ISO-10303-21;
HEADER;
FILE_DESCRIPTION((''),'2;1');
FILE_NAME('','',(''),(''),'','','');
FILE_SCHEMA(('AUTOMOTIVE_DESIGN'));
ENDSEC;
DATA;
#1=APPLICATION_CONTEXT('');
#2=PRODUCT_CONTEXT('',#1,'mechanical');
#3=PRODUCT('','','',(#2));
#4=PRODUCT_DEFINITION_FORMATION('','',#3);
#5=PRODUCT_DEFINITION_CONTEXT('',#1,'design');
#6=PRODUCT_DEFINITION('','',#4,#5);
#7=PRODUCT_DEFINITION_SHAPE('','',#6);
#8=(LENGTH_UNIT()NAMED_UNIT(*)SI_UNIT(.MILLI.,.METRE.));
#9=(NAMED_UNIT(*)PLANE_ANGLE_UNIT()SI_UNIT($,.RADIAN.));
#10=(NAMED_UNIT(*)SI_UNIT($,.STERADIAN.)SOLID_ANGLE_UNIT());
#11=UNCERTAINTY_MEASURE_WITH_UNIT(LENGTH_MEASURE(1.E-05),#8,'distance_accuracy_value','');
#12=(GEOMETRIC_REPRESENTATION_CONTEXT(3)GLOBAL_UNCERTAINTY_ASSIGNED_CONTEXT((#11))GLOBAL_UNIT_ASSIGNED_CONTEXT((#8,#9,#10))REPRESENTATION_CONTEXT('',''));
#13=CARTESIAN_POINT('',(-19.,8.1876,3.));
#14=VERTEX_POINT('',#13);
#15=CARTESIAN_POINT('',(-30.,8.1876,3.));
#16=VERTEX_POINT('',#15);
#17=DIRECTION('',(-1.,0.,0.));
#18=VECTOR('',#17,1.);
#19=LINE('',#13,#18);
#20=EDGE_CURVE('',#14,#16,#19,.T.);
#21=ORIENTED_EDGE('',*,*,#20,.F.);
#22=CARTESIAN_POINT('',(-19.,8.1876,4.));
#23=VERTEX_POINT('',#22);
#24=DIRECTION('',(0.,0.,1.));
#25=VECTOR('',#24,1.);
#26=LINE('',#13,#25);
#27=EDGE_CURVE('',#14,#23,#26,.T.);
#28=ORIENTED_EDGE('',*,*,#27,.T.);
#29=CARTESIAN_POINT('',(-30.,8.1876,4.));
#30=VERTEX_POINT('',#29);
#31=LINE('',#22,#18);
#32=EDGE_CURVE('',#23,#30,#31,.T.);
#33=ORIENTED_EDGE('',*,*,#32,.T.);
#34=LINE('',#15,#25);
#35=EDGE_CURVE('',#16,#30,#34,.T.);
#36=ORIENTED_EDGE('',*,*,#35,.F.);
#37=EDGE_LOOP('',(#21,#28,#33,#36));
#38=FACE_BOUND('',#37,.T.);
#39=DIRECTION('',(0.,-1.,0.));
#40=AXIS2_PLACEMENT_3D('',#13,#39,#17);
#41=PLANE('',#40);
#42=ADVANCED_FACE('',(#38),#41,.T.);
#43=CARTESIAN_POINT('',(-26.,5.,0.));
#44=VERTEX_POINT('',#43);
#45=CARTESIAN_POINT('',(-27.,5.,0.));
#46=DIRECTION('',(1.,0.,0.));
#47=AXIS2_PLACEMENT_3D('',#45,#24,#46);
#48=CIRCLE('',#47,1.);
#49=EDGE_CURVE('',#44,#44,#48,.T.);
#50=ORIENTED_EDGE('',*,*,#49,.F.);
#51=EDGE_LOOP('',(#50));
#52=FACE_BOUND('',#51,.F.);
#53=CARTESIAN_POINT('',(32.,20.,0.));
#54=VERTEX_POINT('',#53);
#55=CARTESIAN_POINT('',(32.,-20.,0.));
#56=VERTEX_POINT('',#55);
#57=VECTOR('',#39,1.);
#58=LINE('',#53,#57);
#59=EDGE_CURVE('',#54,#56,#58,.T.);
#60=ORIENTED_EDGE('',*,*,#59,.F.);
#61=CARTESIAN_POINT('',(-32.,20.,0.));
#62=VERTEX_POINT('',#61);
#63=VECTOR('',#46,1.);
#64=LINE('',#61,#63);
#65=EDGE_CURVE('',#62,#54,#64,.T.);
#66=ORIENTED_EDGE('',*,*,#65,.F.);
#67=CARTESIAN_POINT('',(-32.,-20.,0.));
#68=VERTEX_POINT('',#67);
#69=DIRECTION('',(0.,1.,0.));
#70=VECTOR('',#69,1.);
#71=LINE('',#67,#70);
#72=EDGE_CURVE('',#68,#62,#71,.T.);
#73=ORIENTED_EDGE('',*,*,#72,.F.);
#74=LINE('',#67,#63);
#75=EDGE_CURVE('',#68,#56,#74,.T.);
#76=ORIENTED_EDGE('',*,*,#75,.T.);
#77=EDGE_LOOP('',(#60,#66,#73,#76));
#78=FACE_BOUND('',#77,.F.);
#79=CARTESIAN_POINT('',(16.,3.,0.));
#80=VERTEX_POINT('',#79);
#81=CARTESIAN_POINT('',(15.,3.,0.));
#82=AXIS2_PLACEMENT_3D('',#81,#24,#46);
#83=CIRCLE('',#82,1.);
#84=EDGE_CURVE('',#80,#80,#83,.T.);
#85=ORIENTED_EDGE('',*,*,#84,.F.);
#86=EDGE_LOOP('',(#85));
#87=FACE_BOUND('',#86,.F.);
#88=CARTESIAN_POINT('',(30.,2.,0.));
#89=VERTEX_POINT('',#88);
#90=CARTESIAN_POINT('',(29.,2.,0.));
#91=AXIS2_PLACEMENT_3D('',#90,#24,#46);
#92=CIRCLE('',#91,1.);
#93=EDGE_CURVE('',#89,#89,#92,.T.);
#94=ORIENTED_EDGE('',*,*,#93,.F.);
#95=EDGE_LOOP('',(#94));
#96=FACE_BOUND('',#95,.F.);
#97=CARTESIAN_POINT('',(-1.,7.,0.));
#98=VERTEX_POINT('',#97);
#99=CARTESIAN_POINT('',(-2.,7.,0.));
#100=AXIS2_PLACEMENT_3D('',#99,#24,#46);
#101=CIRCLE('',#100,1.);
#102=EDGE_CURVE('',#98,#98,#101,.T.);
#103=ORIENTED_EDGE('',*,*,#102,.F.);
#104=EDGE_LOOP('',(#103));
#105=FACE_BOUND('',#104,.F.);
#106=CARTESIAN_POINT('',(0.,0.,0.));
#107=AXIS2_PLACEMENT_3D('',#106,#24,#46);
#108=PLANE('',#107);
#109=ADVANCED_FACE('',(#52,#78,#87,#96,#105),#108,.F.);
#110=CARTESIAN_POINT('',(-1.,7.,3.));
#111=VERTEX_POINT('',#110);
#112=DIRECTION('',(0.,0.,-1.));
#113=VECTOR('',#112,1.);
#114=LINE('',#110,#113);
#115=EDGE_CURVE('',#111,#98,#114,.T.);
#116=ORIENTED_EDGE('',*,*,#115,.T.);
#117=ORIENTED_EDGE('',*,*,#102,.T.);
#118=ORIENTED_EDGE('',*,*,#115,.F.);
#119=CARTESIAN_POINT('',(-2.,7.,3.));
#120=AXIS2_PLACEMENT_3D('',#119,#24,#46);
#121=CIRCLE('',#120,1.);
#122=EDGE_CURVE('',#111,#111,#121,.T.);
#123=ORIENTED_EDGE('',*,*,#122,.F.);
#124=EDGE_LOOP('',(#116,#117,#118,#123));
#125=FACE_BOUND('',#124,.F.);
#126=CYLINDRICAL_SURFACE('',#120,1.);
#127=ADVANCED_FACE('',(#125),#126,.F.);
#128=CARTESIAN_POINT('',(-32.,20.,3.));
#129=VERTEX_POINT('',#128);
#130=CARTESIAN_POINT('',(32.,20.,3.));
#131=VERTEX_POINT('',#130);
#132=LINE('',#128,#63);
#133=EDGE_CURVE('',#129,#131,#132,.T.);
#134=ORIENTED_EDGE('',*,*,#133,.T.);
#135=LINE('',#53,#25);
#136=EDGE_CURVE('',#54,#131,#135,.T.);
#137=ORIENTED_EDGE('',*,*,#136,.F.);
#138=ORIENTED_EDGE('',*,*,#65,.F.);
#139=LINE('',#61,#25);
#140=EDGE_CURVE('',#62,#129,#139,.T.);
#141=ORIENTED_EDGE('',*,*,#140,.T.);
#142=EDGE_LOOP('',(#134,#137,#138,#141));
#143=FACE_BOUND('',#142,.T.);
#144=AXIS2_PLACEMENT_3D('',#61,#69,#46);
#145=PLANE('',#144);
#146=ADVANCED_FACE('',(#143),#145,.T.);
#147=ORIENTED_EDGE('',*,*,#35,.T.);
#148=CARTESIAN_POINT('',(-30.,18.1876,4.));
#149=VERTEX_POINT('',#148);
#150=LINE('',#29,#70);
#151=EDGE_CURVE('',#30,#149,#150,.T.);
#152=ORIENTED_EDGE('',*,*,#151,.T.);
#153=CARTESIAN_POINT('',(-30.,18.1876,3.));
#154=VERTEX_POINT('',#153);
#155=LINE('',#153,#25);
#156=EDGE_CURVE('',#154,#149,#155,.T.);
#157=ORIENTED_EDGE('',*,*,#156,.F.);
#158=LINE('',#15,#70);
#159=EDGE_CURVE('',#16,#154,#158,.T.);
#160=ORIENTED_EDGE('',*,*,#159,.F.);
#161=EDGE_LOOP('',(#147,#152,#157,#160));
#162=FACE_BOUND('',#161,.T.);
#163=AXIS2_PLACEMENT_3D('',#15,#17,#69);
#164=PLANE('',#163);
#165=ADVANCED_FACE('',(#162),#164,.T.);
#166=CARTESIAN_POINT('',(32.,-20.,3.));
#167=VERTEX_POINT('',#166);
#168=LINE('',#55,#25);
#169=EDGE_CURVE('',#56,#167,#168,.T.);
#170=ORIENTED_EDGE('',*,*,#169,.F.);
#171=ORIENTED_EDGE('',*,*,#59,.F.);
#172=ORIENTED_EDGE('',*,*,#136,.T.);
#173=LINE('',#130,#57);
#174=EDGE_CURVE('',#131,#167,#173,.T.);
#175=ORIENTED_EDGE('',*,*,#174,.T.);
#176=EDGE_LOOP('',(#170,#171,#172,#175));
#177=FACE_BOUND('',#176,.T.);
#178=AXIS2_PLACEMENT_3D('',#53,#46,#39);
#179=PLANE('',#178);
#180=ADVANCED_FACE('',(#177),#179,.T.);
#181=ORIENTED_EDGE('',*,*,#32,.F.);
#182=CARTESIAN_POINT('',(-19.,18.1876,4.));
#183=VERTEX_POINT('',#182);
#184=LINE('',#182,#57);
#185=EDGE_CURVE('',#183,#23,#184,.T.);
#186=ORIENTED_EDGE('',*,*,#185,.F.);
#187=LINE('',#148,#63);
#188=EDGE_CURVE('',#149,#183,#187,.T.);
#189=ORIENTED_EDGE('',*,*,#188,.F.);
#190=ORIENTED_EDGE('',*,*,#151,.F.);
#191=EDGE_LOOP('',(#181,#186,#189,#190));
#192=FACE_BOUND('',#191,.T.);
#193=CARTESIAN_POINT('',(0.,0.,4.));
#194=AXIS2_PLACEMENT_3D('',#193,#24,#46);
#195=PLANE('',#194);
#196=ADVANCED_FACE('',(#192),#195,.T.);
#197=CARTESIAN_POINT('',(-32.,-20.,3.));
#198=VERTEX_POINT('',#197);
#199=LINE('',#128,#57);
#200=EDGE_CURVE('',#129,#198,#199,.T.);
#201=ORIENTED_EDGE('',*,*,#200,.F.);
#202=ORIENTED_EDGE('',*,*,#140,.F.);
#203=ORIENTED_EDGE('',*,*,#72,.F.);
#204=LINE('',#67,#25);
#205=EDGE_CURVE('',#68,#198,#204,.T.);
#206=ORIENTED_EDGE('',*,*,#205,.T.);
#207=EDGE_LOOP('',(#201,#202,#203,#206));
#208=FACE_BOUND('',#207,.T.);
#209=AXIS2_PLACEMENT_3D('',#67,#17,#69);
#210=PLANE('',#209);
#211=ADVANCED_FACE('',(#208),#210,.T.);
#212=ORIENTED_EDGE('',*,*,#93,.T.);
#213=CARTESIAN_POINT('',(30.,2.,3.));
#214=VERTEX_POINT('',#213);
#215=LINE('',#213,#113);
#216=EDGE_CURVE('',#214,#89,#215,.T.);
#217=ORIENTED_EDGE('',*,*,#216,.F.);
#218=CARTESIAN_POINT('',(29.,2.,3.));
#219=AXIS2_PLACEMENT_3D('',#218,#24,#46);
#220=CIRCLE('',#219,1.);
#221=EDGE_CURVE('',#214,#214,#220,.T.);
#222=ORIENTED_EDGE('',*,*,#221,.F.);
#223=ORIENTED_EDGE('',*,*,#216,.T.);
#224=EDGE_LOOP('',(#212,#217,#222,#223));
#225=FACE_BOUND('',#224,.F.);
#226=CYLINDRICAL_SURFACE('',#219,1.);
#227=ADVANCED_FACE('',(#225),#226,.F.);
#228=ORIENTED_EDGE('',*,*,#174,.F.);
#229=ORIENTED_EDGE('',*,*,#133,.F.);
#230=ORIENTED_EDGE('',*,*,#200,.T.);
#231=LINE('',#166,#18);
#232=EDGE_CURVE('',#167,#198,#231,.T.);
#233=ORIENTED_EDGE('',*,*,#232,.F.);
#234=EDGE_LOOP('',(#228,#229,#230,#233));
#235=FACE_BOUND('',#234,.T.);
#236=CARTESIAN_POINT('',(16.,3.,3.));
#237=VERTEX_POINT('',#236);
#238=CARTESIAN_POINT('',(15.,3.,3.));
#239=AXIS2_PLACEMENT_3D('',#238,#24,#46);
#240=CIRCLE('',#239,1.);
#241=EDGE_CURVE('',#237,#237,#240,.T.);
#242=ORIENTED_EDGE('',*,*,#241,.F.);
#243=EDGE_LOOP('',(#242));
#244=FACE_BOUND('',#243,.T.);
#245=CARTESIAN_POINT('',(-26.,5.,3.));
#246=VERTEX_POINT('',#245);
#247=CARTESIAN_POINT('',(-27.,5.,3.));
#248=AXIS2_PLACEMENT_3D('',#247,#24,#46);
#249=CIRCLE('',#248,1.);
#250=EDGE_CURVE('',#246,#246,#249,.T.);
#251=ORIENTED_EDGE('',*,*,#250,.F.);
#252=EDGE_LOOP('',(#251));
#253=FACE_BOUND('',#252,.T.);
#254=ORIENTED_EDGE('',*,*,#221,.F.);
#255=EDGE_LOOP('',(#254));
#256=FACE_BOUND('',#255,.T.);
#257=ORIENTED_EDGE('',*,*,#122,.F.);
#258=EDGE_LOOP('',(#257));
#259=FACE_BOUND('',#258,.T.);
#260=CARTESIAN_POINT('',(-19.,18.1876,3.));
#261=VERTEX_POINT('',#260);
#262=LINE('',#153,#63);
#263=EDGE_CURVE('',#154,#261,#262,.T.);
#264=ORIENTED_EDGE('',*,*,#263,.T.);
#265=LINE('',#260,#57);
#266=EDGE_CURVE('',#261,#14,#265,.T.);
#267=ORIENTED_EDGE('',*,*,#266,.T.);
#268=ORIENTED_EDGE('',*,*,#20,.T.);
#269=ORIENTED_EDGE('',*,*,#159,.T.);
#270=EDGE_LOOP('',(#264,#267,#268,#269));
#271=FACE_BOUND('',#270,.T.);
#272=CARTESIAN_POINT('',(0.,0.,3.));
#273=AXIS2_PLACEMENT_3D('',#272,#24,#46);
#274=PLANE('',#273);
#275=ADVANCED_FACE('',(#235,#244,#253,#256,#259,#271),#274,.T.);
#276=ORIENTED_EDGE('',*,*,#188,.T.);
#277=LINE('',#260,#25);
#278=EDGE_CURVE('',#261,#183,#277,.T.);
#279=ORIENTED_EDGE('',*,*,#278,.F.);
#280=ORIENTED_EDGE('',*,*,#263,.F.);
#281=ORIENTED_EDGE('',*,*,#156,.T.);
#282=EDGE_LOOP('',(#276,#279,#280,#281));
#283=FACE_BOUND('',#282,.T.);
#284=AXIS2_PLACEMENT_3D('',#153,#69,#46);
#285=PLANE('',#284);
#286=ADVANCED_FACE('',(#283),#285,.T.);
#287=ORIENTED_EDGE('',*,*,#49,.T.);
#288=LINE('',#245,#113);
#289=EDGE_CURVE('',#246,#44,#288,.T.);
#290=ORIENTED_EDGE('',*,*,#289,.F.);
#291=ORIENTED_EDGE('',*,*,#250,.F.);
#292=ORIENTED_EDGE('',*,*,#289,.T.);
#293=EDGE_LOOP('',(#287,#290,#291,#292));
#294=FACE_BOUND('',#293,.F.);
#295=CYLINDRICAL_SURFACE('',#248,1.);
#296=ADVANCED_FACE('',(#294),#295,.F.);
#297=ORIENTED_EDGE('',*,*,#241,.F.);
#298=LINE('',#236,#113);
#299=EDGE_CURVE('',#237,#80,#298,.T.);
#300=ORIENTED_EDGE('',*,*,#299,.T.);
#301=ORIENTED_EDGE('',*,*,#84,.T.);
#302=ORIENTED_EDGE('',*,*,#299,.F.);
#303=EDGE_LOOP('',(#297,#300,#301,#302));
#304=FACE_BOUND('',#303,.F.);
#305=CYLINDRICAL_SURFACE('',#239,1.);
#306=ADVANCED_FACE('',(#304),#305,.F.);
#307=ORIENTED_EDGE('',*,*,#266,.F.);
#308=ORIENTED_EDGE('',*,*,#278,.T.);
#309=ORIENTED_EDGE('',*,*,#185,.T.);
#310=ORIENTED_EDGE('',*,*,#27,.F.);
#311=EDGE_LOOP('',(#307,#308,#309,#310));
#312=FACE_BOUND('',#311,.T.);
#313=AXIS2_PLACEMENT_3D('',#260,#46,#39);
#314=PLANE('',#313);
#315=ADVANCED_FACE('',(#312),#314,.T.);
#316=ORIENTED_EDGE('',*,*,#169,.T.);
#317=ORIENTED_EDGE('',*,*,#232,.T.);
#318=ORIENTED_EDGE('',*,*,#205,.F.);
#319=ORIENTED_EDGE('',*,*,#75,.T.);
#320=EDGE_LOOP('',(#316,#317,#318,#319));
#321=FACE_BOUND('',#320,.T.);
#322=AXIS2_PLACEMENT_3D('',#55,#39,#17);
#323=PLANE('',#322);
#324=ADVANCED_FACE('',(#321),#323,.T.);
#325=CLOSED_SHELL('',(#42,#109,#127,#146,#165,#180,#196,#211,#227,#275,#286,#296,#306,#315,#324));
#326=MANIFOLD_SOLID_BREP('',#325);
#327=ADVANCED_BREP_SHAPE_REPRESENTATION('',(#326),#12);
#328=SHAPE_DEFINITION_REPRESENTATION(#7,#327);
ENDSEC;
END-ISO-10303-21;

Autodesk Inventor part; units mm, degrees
ref_plane "YZ Plane" through (0, 0, 0) normal (1, 0, 0) x (0, 1, 0)
ref_plane "XZ Plane" through (0, 0, 0) normal (0, 1, 0) x (-1, 0, 0)
ref_plane "XY Plane" through (0, 0, 0) normal (0, 0, 1) x (1, 0, 0)
sketch "草图1" plane through (0, 0, 0) normal (0, 0, 1) x (1, 0, 0)
  line L0 (32, -20) -> (-32, -20)
  line L1 (-32, -20) -> (-32, 20)
  line L2 (-32, 20) -> (32, 20)
  line L3 (32, 20) -> (32, -20)
  line L4 (32, -20) -> (-32, 20) construction
  line L5 (-32, -20) -> (32, 20) construction
  line L6 (-32, 10) -> (-30, 10)
  line L7 (-30, 10) -> (-30, -20)
  line L8 (-30, -20) -> (-32, -20)
  line L9 (-32, -20) -> (-32, 10)
  point P0 (0, 0)
  dimension "d0" = 64
  dimension "d1" = 40
  dimension "d2" = 2
  dimension "d3" = 30
extrude "拉伸1" add sketch "草图1" along normal blind 3
sketch "草图3" plane through (0, 0, 3) normal (0, 0, 1) x (1, 0, 0)
  circle A0 centre (-27, 5) radius 1
  line L0 (-32, 20) -> (-32, -20) projected
  line L1 (32, 20) -> (-32, 20) projected
  circle A1 centre (-2, 7) radius 1
  circle A2 centre (15, 3) radius 1
  circle A3 centre (29, 2) radius 1
  line L2 (32, -20) -> (32, 20) projected
  point P0 (0, 0)
  dimension "d10" = 2
  dimension "d11" = 5
  dimension "d12" = 15
  dimension "d13" = 2
  dimension "d14" = 25
  dimension "d16" = 2
  dimension "d17" = 2
  dimension "d19" = 4
  dimension "d20" = 17
  dimension "d21" = 2
  dimension "d22" = 1
  dimension "d23" = 3
  dimension "d24" = 14
extrude "拉伸2" cut sketch "草图3" against normal blind 10
sketch "草图4" plane through (0, 0, 3) normal (0, 0, 1) x (1, 0, 0)
  line L0 (-30, 18.1876) -> (-19, 18.1876)
  line L1 (-19, 18.1876) -> (-19, 8.1876)
  line L2 (-19, 8.1876) -> (-30, 8.1876)
  line L3 (-30, 8.1876) -> (-30, 18.1876)
  line L4 (-32, 20) -> (-32, -20) projected
  point P0 (0, 0)
  dimension "d27" = 2
  dimension "d28" = 10
  dimension "d29" = 11
extrude "拉伸3" add sketch "草图4" along normal blind 1
sketch "草图5" plane through (0, 0, 3) normal (0, 0, 1) x (1, 0, 0)
  point P0 (0, 0)
properties part number "摄像头电路部分"
